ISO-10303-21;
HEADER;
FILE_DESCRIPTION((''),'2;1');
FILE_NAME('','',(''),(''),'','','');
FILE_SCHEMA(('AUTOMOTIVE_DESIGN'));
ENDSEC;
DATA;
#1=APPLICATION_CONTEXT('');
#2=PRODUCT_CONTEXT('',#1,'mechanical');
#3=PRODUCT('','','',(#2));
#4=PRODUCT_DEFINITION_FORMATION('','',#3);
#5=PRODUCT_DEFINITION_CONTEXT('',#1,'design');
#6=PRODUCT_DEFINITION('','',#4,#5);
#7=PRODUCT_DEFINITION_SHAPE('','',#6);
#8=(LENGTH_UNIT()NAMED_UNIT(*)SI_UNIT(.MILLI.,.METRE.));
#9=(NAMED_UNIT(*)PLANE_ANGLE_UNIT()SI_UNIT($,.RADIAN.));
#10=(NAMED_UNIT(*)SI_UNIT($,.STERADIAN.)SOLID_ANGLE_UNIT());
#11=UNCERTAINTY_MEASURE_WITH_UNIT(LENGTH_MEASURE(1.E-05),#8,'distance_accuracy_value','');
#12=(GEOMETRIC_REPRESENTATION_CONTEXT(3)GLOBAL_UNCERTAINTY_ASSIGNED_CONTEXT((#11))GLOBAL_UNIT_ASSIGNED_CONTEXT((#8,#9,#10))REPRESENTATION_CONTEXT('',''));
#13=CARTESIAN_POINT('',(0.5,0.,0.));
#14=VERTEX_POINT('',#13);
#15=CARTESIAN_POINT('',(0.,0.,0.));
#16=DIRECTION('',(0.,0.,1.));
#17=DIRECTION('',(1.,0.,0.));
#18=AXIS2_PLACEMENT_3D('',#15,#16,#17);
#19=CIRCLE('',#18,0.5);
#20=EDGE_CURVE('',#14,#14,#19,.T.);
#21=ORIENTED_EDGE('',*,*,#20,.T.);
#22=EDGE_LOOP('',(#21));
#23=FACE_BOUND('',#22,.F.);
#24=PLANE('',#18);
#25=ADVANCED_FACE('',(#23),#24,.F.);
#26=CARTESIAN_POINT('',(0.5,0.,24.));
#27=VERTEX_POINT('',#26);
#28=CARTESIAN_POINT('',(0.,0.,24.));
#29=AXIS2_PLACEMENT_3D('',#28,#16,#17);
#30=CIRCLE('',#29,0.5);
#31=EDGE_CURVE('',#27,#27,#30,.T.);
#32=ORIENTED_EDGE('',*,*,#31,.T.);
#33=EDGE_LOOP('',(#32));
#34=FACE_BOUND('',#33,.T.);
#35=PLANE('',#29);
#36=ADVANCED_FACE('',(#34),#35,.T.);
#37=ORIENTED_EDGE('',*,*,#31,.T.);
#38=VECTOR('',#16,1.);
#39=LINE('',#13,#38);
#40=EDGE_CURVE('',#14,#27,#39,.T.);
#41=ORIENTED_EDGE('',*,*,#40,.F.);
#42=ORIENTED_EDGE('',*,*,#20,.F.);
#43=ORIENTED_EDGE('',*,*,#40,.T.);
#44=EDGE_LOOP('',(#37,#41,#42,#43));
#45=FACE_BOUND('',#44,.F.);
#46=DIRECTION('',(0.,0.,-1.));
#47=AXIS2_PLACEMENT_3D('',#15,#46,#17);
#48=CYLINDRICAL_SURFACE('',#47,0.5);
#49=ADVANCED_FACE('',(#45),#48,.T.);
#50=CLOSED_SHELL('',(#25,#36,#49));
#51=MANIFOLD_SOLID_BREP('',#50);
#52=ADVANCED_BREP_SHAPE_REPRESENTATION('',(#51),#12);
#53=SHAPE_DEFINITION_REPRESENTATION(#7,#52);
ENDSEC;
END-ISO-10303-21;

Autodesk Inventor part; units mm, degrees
ref_plane "YZ Plane" through (0, 0, 0) normal (1, 0, 0) x (0, 1, 0)
ref_plane "XZ Plane" through (0, 0, 0) normal (0, 1, 0) x (-1, 0, 0)
ref_plane "XY Plane" through (0, 0, 0) normal (0, 0, 1) x (1, 0, 0)
sketch "Sketch1" plane through (0, 0, 0) normal (0, 0, 1) x (1, 0, 0)
  circle A0 centre (0, 0) radius 0.5
  dimension "d0" = 1
extrude "Extrusion1" add sketch "Sketch1" along normal blind 24
properties part number "FinrayShaft"
